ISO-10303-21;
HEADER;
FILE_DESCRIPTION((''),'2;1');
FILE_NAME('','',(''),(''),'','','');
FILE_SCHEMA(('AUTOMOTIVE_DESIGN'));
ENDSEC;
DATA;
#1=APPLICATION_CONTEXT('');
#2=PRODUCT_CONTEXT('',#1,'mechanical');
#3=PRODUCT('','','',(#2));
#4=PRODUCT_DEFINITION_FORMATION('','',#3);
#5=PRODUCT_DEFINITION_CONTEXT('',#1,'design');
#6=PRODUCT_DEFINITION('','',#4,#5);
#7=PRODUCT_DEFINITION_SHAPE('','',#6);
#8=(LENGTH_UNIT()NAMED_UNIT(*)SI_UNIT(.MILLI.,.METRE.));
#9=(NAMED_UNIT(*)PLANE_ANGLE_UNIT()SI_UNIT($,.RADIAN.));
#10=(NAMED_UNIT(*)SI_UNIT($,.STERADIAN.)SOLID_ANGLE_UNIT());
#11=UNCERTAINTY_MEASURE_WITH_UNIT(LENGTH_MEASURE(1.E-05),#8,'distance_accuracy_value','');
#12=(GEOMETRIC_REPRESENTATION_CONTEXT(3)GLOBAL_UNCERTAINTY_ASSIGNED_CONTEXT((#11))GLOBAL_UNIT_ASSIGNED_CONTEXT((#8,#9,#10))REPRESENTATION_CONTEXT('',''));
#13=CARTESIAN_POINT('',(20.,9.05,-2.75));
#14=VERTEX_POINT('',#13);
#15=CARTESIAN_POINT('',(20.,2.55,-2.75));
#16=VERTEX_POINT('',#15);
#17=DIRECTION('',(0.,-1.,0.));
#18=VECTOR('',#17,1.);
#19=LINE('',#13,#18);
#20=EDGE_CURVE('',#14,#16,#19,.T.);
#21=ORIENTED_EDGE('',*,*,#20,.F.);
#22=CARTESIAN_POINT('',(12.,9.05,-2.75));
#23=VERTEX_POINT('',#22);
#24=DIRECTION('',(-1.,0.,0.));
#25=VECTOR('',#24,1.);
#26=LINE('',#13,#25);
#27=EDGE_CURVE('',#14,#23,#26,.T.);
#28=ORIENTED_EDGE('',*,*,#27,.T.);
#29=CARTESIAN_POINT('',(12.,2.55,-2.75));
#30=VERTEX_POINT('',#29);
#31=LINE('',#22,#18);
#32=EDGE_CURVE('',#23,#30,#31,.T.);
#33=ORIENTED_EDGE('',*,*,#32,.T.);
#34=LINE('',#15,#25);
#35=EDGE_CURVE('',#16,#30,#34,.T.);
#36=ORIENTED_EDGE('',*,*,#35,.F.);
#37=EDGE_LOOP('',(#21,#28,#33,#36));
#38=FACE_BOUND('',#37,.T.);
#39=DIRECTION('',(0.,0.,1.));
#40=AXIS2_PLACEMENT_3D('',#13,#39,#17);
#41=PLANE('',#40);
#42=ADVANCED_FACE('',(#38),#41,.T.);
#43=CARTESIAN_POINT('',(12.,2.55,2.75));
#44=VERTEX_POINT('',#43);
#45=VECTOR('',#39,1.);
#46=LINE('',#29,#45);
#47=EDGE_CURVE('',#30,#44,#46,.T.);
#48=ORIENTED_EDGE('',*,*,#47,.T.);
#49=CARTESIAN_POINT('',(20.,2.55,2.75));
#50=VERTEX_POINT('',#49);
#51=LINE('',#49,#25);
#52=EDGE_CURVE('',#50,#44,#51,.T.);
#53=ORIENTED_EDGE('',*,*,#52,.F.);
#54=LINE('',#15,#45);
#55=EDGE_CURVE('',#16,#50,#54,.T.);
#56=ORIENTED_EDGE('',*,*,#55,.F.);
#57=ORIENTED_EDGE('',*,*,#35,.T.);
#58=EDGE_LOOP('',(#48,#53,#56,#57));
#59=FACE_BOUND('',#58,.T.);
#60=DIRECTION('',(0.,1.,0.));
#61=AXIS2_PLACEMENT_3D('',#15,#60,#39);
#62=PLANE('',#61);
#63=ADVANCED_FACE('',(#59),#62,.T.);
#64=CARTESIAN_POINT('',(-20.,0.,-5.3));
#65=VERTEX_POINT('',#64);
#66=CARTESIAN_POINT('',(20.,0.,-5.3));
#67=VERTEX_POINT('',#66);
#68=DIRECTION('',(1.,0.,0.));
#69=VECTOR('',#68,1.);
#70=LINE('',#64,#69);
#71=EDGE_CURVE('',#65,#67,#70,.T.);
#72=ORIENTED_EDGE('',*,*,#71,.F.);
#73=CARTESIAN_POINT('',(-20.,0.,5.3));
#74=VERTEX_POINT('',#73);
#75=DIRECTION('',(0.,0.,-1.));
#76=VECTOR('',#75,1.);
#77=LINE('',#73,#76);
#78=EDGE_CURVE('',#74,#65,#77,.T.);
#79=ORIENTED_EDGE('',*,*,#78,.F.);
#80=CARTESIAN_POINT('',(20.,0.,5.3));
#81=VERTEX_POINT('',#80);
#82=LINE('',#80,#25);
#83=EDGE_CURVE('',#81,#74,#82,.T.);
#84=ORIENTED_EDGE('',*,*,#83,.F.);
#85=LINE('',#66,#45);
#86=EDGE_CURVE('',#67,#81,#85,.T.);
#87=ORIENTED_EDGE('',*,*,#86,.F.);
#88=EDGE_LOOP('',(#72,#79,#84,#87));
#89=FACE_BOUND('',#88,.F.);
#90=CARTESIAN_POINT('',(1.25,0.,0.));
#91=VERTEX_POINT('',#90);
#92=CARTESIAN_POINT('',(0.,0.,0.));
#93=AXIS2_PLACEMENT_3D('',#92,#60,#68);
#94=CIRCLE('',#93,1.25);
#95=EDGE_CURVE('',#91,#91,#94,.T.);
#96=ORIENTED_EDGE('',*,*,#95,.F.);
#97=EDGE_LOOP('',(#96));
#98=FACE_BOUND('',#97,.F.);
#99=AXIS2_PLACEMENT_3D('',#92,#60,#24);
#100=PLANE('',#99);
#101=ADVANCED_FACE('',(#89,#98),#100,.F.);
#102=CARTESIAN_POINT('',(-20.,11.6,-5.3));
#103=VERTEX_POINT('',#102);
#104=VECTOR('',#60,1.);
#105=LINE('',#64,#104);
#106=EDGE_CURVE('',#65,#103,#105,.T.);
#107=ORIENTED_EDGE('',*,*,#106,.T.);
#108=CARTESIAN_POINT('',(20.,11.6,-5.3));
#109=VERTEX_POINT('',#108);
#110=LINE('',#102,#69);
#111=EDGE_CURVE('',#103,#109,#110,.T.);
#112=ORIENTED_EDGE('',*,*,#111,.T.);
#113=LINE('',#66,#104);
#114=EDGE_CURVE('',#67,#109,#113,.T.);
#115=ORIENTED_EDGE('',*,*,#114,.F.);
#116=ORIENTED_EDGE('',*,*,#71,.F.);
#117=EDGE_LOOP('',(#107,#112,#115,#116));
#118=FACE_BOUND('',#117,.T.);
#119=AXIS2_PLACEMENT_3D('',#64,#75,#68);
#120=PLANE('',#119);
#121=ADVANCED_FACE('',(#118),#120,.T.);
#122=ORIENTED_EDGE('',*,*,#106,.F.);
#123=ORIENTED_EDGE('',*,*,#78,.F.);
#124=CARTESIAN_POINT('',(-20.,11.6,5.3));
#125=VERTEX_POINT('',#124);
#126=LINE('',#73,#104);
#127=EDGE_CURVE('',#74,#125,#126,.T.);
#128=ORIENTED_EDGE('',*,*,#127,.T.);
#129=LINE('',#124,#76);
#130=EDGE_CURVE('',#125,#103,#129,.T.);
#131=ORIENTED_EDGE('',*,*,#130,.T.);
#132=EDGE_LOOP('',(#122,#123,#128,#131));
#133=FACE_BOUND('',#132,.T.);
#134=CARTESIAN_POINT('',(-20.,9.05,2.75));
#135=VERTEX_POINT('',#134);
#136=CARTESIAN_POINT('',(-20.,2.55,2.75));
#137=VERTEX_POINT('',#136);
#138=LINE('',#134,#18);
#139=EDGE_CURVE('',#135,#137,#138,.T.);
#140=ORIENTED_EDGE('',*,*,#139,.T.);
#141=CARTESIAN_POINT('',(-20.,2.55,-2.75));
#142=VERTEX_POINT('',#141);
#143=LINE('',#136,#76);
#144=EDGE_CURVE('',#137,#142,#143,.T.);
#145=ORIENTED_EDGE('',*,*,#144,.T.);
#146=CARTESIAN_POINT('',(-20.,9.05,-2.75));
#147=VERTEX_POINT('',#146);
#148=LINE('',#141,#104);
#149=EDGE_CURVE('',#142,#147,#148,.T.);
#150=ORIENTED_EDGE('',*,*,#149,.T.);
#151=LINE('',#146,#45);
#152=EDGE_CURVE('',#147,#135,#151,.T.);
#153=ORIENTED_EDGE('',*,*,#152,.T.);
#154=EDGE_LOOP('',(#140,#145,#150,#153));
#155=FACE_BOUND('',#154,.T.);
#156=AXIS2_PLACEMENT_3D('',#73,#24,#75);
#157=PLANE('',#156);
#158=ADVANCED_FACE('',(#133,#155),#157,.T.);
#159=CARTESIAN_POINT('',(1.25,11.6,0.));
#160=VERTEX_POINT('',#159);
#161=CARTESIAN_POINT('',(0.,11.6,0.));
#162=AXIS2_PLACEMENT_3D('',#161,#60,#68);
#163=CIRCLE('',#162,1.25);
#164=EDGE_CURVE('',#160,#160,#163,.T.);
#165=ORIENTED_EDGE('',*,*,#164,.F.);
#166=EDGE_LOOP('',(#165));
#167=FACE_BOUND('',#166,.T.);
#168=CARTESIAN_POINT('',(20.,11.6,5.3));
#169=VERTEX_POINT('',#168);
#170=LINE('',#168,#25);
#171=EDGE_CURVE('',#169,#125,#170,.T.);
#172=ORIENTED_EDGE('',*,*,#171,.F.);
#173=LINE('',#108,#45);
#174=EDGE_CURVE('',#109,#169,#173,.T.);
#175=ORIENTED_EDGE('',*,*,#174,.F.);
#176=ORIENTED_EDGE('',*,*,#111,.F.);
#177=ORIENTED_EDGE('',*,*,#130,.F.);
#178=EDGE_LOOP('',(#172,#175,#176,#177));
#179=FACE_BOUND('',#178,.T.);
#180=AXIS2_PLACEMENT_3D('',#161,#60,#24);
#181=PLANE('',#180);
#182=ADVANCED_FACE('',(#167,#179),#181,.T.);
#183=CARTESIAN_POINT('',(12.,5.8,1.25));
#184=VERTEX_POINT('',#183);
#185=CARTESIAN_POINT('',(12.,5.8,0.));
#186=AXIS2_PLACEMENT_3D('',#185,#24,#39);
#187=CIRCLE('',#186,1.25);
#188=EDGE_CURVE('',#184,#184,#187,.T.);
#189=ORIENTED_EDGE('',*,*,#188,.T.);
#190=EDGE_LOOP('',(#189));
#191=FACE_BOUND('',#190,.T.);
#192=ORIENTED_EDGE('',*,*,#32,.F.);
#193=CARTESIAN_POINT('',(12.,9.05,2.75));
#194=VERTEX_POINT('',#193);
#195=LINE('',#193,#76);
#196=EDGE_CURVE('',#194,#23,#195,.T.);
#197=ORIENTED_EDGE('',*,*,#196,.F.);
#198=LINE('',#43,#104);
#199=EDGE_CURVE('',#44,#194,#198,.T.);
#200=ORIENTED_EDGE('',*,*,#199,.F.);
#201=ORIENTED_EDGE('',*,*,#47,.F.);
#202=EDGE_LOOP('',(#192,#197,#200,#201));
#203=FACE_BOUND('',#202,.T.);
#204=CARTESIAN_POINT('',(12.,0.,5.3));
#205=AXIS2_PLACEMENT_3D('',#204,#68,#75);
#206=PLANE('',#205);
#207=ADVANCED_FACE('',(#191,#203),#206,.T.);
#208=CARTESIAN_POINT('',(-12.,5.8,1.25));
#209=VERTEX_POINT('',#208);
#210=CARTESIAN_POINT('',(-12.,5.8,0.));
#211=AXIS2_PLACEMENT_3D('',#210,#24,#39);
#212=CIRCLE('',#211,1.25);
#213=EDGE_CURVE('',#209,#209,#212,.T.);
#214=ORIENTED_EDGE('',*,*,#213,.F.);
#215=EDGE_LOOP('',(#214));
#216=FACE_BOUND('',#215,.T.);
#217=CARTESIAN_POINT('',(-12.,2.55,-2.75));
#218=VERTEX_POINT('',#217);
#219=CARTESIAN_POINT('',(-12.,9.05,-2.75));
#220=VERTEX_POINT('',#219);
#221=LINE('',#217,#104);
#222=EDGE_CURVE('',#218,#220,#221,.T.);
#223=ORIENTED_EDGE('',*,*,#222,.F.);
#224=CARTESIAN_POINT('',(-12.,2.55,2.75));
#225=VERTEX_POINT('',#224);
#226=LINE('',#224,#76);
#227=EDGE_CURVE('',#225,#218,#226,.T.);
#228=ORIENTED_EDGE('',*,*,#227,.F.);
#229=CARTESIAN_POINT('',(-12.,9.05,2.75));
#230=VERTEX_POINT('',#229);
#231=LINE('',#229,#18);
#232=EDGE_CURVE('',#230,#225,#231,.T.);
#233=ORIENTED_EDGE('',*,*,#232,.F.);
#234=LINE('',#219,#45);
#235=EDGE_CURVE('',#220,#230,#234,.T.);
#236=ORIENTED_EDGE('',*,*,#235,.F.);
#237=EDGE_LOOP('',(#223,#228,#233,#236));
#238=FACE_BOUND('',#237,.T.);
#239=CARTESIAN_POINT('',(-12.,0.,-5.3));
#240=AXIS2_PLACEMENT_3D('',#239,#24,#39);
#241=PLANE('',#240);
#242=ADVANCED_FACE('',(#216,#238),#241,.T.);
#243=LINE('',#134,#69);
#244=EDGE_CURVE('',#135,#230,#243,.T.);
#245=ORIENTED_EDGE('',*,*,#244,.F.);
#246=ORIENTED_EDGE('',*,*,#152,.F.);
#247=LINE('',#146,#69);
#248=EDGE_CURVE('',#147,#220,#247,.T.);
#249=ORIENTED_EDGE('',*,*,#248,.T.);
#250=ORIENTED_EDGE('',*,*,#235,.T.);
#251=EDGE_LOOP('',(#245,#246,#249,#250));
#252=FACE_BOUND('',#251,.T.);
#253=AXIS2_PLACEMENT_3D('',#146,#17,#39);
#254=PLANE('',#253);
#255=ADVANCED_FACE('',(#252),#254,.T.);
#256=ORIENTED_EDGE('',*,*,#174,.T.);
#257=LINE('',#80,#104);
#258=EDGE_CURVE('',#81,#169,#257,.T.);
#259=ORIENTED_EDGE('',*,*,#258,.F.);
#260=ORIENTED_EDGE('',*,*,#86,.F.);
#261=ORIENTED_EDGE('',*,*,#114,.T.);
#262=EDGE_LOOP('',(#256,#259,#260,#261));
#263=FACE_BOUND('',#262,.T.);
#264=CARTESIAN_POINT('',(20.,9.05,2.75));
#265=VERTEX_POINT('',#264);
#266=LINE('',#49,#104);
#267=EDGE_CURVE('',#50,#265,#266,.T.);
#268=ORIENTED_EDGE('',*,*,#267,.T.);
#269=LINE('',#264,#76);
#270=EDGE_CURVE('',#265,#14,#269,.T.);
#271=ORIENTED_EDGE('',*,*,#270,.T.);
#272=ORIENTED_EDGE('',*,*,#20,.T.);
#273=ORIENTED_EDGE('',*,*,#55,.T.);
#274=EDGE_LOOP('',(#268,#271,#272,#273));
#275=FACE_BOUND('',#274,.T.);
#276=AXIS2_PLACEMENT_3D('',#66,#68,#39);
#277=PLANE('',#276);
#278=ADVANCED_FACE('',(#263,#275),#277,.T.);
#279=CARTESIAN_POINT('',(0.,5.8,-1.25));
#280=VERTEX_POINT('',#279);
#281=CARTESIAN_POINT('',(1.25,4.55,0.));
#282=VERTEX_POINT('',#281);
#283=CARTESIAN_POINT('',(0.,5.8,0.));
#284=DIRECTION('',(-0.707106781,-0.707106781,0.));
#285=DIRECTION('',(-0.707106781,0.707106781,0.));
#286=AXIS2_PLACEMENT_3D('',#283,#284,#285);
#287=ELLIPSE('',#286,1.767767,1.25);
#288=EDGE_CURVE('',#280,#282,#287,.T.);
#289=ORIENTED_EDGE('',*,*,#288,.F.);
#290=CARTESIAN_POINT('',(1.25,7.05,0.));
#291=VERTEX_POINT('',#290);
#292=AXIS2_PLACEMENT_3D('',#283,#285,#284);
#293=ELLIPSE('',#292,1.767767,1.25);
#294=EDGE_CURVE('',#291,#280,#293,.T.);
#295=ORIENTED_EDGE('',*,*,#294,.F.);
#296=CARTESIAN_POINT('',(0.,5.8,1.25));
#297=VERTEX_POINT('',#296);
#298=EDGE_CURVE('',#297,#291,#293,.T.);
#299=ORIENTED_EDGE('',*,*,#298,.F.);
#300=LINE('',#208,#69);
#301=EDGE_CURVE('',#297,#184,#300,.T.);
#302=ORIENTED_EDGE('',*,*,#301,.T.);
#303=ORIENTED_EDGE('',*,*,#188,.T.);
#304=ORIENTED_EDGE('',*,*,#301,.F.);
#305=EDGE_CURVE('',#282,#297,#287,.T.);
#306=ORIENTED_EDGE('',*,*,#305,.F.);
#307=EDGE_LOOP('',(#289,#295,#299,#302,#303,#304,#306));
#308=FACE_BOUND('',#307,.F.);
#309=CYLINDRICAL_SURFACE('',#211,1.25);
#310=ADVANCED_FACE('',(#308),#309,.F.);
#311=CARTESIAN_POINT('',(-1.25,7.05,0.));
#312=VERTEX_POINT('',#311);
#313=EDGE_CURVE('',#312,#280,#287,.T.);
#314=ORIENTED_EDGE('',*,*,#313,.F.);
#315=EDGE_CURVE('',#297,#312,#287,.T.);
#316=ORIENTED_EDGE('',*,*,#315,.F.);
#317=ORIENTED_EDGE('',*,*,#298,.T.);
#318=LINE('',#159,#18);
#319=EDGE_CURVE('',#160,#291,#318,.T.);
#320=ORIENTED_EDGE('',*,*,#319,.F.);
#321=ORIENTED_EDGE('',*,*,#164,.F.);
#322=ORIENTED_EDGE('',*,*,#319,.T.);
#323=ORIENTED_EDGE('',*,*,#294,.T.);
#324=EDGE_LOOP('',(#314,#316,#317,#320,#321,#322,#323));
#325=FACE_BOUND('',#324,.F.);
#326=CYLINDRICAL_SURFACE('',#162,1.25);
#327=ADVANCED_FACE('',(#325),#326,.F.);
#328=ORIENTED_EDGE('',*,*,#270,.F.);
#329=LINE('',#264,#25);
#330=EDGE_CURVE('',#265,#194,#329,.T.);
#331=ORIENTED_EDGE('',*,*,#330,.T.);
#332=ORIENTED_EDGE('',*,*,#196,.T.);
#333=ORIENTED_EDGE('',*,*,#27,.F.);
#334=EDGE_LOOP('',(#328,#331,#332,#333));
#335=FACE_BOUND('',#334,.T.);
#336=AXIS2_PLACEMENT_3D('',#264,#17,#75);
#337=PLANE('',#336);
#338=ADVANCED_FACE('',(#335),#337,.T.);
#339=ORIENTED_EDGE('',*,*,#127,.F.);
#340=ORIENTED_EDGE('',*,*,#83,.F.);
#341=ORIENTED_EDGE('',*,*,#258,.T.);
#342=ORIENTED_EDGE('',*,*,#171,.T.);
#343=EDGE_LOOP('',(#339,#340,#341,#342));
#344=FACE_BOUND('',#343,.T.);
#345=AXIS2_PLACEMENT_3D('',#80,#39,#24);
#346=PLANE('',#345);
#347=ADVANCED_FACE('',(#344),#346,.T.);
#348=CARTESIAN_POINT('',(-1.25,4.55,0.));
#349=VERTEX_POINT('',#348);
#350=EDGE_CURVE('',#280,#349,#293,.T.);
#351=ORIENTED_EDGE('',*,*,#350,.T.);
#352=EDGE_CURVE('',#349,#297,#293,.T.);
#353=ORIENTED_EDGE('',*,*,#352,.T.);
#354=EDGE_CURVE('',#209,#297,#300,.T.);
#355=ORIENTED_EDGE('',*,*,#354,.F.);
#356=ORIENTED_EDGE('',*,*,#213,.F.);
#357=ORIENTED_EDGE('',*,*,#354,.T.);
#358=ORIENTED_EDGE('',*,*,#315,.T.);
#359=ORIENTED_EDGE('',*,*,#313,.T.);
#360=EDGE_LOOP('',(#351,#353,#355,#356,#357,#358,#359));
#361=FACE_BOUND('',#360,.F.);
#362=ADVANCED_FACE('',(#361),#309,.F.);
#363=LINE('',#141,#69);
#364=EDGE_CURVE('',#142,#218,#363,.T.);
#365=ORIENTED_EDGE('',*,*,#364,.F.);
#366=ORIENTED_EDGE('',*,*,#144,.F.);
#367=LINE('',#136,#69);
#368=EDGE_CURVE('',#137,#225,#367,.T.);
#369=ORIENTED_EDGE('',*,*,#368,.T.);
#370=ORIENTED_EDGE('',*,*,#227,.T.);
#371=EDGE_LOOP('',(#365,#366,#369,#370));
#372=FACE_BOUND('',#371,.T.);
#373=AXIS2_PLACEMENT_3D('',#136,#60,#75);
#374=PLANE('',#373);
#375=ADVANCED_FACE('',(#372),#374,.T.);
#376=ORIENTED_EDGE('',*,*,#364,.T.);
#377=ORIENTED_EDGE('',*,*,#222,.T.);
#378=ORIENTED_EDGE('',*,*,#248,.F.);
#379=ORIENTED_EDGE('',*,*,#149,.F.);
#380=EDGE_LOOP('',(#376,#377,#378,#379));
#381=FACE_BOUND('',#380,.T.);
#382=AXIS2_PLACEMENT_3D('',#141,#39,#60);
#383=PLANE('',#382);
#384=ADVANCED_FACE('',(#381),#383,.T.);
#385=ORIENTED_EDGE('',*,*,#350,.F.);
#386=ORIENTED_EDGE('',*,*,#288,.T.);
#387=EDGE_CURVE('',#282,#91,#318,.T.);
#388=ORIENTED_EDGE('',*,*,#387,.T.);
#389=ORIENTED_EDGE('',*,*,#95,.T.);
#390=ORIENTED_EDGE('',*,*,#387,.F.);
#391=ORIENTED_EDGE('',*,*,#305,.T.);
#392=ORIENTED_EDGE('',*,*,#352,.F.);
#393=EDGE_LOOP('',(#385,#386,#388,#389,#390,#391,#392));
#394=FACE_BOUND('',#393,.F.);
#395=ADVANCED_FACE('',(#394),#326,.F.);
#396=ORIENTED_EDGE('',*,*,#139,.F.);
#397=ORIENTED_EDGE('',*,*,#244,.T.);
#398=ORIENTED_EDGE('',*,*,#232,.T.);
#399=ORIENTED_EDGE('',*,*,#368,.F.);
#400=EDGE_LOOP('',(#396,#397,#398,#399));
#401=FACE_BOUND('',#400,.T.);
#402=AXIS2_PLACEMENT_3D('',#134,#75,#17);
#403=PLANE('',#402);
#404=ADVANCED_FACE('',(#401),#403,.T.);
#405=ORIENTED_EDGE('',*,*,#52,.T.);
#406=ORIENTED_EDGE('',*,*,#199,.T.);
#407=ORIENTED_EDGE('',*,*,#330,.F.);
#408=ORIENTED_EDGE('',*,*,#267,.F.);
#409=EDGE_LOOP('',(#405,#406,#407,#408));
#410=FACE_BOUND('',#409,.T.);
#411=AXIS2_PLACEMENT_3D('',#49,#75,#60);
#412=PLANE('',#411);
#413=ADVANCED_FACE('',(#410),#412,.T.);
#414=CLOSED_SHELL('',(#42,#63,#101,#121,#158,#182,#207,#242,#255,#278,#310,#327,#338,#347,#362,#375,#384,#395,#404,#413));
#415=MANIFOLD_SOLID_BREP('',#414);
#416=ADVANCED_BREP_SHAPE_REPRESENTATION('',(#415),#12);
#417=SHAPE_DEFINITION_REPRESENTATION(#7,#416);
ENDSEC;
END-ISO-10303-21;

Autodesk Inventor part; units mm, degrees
ref_plane "YZ Plane" through (0, 0, 0) normal (1, 0, 0) x (0, 1, 0)
ref_plane "XZ Plane" through (0, 0, 0) normal (0, 1, 0) x (-1, 0, 0)
ref_plane "XY Plane" through (0, 0, 0) normal (0, 0, 1) x (1, 0, 0)
sketch "Esquisse1" plane through (0, 0, 0) normal (0, 1, 0) x (-1, 0, 0)
  line L0 (-20, 5.3) -> (20, 5.3)
  line L1 (20, 5.3) -> (20, -5.3)
  line L2 (20, -5.3) -> (-20, -5.3)
  line L3 (-20, -5.3) -> (-20, 5.3)
  point P0 (0, 0)
  dimension "d0" = 40
  dimension "d1" = 10.6
  dimension "d2" = 20
  dimension "d3" = 5.3
extrude "Extrusion1" add sketch "Esquisse1" along normal blind 11.6
sketch "Esquisse2" plane through (20, 0, 5.3) normal (1, 0, 0) x (0, 0, -1)
  line L0 (2.55, 9.05) -> (8.05, 9.05)
  line L1 (8.05, 9.05) -> (8.05, 2.55)
  line L2 (8.05, 2.55) -> (2.55, 2.55)
  line L3 (2.55, 2.55) -> (2.55, 9.05)
  point P0 (0, 11.6)
  point P1 (5.3, 0)
  dimension "d6" = 5.5
  dimension "d8" = 2.75
  dimension "d9" = 6.5
  dimension "d10" = 2.55
extrude "Extrusion2" cut sketch "Esquisse2" against normal blind 8
sketch "Esquisse3" plane through (-20, 0, -5.3) normal (-1, 0, 0) x (0, 0, 1)
  line L0 (2.55, 9.05) -> (8.05, 9.05)
  line L1 (8.05, 9.05) -> (8.05, 2.55)
  line L2 (8.05, 2.55) -> (2.55, 2.55)
  line L3 (2.55, 2.55) -> (2.55, 9.05)
  point P0 (0, 11.6)
  point P1 (5.3, 0)
  dimension "d13" = 5.5
  dimension "d14" = 6.5
  dimension "d15" = 2.75
  dimension "d16" = 2.55
extrude "Extrusion3" cut sketch "Esquisse3" against normal blind 8
sketch "Esquisse4" plane through (-12, 0, -5.3) normal (-1, 0, 0) x (0, 0, 1)
  line L0 (2.55, 9.05) -> (8.05, 9.05) projected
  line L1 (2.55, 2.55) -> (2.55, 9.05) projected
  circle A0 centre (5.3, 5.8) radius 1.25
  point P0 (5.3, 0)
  dimension "d19" = 2.5
  dimension "d20" = 3.25
  dimension "d21" = 2.75
extrude "Extrusion4" cut sketch "Esquisse4" against normal through all
sketch "Esquisse5" plane through (0, 11.6, 0) normal (0, 1, 0) x (1, 0, 0)
  circle A0 centre (0, 0) radius 1.25
  dimension "d24" = 2.5
extrude "Extrusion5" cut sketch "Esquisse5" against normal through all
equation "\"d2\" = 0.5 * d0"
equation "\"d3\" = 0.5 * d1"
equation "\"d8\" = 0.5 * d6"
equation "\"d10\" = -0.5 * d9 + 0.5 * d4"
equation "\"d15\" = 0.5 * d13"
equation "\"d16\" = -0.5 * d9 + 0.5 * d4"
equation "\"d20\" = 0.5 * d14"
equation "\"d4\" = 11.6"
properties part number "Truc Lumiere"
